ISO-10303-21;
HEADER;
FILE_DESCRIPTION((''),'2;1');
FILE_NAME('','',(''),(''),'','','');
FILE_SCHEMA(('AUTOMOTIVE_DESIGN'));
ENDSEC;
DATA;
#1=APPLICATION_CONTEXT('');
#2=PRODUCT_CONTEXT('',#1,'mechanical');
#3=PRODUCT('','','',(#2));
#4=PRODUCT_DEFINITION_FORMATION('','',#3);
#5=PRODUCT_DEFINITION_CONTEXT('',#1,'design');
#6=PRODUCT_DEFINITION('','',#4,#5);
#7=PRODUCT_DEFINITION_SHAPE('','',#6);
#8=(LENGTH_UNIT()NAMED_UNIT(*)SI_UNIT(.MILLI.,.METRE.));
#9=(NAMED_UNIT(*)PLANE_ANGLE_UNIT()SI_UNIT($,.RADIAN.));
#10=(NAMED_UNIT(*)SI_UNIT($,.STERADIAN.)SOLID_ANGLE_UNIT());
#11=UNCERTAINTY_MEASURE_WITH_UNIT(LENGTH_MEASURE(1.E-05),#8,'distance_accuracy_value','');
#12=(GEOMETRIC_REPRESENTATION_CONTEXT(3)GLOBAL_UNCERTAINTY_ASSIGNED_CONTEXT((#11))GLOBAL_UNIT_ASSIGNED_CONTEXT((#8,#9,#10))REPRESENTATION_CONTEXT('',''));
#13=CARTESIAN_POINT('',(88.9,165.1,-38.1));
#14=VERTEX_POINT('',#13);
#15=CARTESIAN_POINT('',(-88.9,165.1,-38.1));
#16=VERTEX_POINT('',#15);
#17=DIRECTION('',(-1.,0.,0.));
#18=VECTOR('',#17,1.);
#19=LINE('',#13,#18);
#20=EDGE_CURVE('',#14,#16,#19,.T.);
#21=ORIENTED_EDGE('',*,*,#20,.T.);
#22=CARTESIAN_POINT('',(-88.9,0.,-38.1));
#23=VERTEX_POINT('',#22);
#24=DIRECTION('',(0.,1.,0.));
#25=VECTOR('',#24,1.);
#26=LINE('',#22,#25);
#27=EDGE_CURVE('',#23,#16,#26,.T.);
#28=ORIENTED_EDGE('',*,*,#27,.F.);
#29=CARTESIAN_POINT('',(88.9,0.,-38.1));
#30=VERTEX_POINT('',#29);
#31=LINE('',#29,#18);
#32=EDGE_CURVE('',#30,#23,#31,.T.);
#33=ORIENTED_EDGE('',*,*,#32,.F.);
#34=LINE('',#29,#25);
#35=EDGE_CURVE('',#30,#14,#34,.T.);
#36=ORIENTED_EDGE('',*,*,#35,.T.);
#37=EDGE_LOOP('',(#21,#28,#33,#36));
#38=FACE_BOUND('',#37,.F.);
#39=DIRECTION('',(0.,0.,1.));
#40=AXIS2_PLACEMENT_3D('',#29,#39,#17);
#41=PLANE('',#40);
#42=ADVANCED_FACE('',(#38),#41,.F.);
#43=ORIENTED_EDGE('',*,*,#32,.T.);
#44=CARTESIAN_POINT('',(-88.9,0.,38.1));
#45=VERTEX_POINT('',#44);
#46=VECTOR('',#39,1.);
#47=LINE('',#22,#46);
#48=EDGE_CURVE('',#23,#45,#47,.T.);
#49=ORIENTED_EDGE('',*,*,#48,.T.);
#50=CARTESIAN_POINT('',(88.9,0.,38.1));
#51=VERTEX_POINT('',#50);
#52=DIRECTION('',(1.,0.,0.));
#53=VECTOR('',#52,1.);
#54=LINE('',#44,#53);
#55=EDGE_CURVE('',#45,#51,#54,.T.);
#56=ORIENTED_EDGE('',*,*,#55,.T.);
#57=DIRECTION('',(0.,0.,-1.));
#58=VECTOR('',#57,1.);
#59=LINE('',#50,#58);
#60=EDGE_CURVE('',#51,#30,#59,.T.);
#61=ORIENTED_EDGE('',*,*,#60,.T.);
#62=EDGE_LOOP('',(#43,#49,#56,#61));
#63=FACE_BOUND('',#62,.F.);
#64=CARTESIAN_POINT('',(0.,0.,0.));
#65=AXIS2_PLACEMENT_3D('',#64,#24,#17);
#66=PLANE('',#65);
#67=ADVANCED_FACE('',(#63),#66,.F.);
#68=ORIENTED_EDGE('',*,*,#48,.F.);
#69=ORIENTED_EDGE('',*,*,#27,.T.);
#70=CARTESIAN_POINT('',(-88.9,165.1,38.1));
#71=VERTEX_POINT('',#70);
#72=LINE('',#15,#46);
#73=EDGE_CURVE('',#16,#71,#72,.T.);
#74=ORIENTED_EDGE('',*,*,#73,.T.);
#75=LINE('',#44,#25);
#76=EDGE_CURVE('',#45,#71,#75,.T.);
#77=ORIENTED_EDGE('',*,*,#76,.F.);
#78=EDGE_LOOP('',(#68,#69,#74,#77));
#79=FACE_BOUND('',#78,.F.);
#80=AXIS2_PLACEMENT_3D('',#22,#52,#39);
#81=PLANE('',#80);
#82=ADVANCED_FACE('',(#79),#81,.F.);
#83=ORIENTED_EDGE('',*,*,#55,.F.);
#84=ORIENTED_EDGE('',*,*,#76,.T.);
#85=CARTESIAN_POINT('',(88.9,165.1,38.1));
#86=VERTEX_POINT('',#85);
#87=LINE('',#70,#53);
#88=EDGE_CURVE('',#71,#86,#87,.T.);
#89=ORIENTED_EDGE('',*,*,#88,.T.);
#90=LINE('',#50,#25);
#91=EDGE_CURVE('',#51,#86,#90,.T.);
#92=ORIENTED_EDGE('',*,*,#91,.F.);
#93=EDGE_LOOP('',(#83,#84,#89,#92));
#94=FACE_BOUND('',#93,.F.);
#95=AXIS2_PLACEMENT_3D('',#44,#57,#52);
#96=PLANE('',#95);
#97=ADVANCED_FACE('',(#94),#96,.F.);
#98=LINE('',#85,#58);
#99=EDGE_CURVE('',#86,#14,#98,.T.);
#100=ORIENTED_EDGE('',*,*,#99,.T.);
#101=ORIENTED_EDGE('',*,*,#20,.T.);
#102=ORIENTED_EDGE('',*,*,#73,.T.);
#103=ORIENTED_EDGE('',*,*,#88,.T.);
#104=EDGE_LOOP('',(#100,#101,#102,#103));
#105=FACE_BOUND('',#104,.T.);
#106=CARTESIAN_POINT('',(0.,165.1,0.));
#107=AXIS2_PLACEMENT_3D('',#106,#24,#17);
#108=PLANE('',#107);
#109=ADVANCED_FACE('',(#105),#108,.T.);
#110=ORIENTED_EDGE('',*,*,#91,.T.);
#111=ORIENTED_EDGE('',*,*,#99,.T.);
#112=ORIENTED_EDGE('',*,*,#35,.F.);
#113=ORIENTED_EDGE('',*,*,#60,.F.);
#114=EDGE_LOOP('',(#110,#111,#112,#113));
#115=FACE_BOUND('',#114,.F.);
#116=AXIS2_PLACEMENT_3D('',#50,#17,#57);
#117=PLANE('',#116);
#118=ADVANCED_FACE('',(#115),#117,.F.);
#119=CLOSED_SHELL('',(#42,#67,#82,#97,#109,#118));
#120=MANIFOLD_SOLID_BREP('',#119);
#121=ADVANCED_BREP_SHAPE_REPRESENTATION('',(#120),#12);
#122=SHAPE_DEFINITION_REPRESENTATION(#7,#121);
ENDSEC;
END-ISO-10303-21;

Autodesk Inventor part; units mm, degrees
ref_plane "YZ Plane" through (0, 0, 0) normal (1, 0, 0) x (0, 1, 0)
ref_plane "XZ Plane" through (0, 0, 0) normal (0, 1, 0) x (-1, 0, 0)
ref_plane "XY Plane" through (0, 0, 0) normal (0, 0, 1) x (1, 0, 0)
sketch "Sketch1" plane through (0, 0, 0) normal (0, 1, 0) x (-1, 0, 0)
  line L0 (-88.9, -38.1) -> (88.9, -38.1)
  line L1 (88.9, -38.1) -> (88.9, 38.1)
  line L2 (88.9, 38.1) -> (-88.9, 38.1)
  line L3 (-88.9, 38.1) -> (-88.9, -38.1)
  line L4 (-88.9, -38.1) -> (88.9, 38.1) construction
  line L5 (88.9, -38.1) -> (-88.9, 38.1) construction
  point P0 (0, 0)
  dimension "d0" = 177.8
  dimension "d1" = 76.2
extrude "Extrusion1" add sketch "Sketch1" along normal blind 165.1
properties part number "Battery"
